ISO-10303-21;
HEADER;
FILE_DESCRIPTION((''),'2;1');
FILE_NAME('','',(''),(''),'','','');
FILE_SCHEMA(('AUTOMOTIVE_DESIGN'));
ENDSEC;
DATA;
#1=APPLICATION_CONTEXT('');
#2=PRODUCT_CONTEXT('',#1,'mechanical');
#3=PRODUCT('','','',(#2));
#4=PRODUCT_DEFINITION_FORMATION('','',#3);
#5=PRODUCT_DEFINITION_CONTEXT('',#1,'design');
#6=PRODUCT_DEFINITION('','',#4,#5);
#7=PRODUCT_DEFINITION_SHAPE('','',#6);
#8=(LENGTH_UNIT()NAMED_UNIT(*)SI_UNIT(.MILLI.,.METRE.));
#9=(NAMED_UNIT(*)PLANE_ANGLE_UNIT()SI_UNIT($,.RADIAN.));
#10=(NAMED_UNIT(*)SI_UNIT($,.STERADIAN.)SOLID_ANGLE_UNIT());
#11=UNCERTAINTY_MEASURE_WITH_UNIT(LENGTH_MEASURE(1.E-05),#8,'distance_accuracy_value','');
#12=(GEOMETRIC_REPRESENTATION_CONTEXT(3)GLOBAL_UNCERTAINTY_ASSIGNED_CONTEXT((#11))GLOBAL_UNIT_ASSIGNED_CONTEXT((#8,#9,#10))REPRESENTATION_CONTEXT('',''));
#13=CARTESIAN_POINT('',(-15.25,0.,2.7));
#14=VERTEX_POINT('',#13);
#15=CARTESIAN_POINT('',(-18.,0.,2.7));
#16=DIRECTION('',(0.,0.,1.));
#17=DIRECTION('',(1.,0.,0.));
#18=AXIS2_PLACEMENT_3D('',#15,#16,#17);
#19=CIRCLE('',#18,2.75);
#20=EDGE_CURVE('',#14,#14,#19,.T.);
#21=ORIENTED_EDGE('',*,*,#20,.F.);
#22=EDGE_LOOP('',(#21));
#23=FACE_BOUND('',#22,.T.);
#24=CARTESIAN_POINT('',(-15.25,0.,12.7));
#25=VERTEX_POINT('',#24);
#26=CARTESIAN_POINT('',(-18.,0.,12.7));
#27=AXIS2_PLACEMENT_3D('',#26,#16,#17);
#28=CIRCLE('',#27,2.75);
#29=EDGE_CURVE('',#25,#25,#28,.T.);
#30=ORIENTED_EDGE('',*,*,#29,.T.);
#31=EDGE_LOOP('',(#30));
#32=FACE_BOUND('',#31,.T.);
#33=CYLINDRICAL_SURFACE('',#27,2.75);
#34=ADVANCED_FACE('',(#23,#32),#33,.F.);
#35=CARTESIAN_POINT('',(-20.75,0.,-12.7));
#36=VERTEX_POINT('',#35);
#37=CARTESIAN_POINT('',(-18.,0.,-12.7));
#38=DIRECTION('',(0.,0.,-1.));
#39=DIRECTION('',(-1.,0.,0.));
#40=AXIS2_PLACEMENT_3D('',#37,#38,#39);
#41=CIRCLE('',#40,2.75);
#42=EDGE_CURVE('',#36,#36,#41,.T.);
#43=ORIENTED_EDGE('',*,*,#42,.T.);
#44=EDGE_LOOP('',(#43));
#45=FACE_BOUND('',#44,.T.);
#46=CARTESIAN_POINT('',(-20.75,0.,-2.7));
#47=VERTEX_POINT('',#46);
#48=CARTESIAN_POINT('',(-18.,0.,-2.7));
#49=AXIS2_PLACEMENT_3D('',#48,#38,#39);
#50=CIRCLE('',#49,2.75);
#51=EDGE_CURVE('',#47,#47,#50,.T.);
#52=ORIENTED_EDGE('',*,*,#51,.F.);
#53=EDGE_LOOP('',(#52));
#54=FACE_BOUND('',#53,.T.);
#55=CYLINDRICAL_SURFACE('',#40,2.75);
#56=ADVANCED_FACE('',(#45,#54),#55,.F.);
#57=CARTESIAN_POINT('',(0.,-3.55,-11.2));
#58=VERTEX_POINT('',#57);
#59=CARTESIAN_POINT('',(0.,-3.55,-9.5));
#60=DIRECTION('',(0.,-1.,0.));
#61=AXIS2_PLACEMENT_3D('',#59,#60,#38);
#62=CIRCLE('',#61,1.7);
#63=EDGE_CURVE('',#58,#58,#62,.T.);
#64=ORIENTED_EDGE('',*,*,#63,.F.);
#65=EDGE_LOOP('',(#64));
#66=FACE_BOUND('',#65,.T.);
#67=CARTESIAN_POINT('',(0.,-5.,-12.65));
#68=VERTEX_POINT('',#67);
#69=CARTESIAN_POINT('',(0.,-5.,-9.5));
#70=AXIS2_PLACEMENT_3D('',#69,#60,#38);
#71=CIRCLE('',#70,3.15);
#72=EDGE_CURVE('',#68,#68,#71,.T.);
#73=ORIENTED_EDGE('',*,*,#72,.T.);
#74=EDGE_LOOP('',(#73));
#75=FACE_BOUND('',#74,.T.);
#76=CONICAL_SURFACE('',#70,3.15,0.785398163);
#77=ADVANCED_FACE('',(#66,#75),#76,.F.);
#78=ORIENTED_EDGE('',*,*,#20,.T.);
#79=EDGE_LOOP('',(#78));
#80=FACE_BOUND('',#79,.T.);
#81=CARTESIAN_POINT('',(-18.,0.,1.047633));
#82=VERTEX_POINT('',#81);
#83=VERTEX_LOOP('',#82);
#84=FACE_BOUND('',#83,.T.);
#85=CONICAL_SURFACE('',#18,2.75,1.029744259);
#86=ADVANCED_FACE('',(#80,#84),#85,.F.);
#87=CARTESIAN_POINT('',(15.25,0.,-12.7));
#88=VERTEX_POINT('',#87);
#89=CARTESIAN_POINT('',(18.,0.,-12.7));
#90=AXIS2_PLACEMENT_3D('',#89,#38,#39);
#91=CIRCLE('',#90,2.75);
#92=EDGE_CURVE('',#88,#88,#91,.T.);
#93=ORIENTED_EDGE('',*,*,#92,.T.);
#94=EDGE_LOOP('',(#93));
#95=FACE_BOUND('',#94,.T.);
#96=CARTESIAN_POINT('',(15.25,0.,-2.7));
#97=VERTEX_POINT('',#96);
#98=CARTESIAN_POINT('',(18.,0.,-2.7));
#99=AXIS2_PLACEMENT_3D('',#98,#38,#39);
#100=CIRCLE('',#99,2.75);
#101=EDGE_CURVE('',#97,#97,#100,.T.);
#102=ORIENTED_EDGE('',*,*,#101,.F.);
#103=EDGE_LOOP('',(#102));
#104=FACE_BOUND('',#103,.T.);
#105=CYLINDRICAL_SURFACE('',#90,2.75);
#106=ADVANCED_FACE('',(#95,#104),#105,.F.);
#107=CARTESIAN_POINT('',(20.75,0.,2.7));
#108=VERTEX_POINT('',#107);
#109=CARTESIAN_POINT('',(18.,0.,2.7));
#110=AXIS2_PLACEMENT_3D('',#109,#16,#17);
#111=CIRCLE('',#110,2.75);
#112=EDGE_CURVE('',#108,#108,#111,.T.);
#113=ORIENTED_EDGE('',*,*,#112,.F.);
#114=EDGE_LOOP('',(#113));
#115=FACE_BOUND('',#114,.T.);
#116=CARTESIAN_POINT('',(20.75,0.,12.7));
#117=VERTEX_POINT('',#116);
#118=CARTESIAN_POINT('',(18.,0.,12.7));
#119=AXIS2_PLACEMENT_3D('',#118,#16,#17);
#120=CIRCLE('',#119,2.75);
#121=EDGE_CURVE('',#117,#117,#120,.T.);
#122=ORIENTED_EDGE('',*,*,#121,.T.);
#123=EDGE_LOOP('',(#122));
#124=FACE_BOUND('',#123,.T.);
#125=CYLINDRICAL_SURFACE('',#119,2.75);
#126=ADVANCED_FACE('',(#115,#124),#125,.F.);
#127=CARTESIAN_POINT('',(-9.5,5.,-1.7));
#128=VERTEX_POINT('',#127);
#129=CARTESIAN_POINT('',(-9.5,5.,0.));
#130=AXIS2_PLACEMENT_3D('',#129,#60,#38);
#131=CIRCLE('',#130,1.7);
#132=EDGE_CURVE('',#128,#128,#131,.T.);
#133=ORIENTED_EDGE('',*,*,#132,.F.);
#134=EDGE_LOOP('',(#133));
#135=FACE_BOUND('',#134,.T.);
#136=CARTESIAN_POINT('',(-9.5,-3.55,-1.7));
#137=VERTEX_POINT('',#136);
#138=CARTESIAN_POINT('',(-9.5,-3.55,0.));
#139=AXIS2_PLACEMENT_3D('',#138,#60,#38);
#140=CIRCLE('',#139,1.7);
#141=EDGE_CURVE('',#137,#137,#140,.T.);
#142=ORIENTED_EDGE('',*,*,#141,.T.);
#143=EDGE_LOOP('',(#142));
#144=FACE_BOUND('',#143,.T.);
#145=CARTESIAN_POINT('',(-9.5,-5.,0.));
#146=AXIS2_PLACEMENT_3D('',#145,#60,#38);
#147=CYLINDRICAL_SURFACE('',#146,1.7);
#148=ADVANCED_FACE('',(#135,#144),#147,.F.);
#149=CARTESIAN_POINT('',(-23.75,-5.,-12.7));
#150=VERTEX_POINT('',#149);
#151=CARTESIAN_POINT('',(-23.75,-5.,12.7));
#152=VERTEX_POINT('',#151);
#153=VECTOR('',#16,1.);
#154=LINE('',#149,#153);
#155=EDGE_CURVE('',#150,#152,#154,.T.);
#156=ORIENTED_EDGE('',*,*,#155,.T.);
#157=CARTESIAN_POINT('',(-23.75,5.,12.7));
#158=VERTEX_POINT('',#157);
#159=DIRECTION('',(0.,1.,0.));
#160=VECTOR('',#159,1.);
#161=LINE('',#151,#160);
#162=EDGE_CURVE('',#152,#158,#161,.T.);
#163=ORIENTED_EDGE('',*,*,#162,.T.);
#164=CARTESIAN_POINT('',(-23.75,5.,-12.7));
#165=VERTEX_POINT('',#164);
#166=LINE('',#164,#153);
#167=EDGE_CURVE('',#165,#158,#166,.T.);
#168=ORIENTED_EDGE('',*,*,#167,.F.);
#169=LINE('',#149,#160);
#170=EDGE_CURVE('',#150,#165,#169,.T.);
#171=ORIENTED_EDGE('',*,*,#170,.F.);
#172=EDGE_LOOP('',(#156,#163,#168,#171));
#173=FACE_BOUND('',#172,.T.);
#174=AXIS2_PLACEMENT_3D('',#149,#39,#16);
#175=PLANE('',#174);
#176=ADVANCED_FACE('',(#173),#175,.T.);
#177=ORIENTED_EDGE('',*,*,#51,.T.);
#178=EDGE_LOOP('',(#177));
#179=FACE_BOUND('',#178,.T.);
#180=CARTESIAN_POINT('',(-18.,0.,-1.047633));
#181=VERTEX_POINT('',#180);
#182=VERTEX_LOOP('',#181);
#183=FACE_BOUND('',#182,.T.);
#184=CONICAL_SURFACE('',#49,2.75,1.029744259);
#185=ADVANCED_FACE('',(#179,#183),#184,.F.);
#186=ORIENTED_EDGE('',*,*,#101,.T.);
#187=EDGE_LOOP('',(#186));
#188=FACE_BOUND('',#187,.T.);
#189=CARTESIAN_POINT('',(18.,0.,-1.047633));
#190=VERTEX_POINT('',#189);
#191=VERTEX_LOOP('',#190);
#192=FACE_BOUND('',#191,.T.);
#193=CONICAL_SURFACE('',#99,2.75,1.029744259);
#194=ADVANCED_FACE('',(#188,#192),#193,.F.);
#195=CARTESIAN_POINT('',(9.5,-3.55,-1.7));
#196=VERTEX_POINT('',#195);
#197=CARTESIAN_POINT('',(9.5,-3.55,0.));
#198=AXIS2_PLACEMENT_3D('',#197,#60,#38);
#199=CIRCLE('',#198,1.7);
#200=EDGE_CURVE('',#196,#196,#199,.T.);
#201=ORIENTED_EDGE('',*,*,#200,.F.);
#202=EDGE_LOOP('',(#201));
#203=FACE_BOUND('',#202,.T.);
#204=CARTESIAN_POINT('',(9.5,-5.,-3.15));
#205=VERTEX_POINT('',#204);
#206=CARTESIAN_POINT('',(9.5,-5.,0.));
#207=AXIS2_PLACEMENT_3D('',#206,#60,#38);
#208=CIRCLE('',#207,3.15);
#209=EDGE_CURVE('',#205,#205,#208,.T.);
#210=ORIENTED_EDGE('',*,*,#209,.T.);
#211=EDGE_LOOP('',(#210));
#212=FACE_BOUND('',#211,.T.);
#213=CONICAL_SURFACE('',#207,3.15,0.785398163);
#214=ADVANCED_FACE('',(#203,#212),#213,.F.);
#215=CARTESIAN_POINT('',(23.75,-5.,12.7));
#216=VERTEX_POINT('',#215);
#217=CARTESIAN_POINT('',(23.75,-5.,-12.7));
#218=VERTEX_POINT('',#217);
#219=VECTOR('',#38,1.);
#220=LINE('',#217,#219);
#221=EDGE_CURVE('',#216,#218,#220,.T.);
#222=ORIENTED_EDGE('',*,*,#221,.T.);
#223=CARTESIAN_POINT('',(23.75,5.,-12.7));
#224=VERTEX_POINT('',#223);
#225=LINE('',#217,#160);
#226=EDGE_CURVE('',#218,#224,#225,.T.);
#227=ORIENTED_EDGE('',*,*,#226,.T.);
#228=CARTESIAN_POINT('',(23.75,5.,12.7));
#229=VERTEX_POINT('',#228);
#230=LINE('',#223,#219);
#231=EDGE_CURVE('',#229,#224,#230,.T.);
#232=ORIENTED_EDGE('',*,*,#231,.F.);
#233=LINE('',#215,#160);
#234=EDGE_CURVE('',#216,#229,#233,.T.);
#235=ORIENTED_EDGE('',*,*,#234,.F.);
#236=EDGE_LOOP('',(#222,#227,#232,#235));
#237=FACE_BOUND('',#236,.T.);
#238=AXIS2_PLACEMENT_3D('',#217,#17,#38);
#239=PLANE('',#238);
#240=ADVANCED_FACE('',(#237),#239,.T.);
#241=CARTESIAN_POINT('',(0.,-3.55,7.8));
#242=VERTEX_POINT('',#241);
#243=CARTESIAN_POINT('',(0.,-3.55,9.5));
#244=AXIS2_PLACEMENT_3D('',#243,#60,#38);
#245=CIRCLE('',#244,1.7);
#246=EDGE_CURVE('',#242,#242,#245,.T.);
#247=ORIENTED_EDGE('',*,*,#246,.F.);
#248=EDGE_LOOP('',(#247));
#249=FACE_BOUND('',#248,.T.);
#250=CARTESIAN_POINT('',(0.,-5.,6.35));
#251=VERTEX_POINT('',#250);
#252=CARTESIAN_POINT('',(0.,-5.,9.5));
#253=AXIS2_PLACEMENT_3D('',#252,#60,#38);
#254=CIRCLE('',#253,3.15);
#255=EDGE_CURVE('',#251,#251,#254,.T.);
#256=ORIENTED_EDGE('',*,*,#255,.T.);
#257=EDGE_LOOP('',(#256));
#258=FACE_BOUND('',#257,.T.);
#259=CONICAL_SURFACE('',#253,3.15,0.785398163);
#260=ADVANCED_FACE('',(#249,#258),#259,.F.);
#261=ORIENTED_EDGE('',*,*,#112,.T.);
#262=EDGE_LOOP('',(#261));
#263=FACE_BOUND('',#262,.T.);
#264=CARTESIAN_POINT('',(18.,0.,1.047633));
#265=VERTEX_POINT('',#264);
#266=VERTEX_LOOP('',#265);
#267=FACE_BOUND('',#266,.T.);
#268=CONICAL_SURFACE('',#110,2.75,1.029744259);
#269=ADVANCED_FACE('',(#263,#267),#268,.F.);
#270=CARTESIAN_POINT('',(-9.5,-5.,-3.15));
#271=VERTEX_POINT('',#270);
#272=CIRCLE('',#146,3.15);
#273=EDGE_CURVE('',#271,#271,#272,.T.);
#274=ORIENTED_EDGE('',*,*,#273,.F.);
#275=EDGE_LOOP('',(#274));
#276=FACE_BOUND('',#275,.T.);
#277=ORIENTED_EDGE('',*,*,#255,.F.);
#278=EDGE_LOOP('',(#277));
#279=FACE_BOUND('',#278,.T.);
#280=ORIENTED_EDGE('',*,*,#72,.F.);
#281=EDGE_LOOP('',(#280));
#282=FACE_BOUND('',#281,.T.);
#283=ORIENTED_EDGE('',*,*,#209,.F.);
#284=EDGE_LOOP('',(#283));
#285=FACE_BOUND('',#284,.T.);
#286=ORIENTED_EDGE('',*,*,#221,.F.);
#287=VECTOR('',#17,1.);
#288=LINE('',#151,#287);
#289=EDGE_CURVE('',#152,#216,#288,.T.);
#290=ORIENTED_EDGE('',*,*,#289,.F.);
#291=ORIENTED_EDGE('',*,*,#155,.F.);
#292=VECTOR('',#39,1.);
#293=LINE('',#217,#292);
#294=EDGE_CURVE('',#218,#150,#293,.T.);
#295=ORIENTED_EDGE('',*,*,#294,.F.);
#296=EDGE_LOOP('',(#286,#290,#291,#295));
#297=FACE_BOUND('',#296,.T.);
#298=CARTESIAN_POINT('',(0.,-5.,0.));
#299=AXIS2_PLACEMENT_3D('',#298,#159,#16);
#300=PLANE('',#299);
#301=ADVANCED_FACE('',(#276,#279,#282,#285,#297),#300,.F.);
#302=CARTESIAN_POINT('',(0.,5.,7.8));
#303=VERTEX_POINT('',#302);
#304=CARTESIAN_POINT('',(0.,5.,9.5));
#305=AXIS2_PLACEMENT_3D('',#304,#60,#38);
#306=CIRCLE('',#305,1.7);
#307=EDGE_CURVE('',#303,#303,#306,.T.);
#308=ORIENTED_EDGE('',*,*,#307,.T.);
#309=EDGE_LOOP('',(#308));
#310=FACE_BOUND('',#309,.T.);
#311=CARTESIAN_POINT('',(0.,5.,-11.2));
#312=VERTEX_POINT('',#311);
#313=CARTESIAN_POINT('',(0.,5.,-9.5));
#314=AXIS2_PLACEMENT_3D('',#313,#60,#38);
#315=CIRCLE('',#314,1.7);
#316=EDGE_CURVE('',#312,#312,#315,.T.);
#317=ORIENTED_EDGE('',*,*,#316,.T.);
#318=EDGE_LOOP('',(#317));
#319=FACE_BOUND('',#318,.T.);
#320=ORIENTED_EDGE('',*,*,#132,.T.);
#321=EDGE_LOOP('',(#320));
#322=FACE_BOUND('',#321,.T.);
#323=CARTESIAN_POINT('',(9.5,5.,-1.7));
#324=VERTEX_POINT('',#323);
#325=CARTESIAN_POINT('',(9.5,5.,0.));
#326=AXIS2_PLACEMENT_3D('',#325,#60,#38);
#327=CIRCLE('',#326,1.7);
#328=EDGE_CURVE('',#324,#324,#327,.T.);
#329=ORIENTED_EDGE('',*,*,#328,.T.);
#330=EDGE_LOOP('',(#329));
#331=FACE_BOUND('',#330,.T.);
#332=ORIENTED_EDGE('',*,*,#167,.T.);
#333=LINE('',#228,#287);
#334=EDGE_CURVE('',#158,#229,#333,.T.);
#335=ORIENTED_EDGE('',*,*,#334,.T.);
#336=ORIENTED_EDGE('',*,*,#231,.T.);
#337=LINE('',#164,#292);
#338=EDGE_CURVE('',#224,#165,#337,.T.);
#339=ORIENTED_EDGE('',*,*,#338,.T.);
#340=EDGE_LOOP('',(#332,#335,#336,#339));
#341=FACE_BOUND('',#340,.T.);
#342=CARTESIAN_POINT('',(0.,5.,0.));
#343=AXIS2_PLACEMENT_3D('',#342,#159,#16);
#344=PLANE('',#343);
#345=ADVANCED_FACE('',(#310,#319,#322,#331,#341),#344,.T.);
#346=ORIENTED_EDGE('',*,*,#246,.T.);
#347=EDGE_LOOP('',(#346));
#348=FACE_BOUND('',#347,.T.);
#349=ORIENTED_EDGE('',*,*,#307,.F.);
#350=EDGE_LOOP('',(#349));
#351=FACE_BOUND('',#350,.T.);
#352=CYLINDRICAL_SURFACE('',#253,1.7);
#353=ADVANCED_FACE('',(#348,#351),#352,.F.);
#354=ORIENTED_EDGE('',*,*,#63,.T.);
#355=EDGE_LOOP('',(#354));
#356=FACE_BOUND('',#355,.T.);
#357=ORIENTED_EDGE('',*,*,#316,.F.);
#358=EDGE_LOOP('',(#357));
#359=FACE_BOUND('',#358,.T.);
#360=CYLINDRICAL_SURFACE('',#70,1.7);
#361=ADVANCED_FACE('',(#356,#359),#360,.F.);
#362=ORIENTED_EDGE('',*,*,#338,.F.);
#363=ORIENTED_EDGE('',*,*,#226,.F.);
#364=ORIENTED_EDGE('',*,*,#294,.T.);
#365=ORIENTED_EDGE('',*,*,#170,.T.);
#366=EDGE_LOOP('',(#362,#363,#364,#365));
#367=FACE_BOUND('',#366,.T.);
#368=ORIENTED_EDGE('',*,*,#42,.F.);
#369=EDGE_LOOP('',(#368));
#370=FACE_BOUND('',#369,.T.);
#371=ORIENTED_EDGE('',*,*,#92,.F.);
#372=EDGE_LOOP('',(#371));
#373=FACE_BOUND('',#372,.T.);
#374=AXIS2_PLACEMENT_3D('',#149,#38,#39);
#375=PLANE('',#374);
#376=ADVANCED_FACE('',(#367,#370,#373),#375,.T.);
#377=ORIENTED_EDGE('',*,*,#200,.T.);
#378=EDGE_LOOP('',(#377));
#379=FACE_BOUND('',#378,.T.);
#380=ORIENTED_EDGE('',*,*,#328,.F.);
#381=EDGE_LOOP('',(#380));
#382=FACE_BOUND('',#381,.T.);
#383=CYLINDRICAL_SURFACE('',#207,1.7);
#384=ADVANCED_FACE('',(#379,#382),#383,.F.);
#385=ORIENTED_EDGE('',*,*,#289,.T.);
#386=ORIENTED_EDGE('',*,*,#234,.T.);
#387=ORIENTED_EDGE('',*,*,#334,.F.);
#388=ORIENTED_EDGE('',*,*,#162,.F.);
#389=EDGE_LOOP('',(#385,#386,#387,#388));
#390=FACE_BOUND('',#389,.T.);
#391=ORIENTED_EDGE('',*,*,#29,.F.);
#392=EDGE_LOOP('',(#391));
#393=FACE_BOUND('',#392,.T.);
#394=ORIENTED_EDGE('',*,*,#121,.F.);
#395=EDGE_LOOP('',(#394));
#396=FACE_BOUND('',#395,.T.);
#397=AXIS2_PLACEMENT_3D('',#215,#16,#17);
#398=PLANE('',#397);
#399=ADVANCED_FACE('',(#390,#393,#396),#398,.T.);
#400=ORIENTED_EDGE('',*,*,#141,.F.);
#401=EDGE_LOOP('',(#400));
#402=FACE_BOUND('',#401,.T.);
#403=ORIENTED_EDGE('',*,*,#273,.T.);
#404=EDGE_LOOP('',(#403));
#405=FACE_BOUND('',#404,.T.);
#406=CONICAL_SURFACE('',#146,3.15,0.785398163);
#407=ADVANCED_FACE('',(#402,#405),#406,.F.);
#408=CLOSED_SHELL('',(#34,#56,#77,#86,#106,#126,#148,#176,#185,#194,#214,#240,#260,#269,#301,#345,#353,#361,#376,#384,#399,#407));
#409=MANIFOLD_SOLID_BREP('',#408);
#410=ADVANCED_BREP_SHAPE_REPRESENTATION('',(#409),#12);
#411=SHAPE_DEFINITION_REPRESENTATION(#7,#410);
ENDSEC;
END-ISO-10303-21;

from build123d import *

# Parameters (mm, degrees)
BOSS_EXTRUDE1_DEPTH                             = 5
CSK_FOR_M3_FLAT_HEAD_MACHINE_SCREW1_D           = 3.4
CSK_FOR_M3_FLAT_HEAD_MACHINE_SCREW1_CSINK_D     = 6.3
CSK_FOR_M3_FLAT_HEAD_MACHINE_SCREW1_CSINK_ANGLE = 90
F_5_5_5_5_DIAMETER_HOLE1_AT_2_COUNT             = 2
F_5_5_5_5_DIAMETER_HOLE1_AT_2_PITCH             = 36


with BuildPart() as part:
    # Sketch1 → Boss-Extrude1 (new body, symmetric)
    with BuildSketch(Plane(origin=(0, 0, 0), x_dir=(1, 0, 0), z_dir=(0, 1, 0))):
        Polygon((-23.75, 12.7), (-15.25, 12.7), (15.25, 12.7), (23.75, 12.7), (23.75, -12.7), (15.25, -12.7), (-15.25, -12.7), (-23.75, -12.7), align=None)
    extrude(amount=BOSS_EXTRUDE1_DEPTH, both=True)

    # CSK for M3 Flat Head Machine Screw1 (through all)
    with Locations(Plane(origin=(0, -5, 0), x_dir=(-1, 0, 0), z_dir=(0, -1, 0))):
        with Locations((-9.5, 0), (0, 9.5), (9.5, 0), (0, -9.5)):
            CounterSinkHole(CSK_FOR_M3_FLAT_HEAD_MACHINE_SCREW1_D / 2, CSK_FOR_M3_FLAT_HEAD_MACHINE_SCREW1_CSINK_D / 2, counter_sink_angle=CSK_FOR_M3_FLAT_HEAD_MACHINE_SCREW1_CSINK_ANGLE)

    # Sketch10 → Ø5.5 (5.5) Diameter Hole1 (revolve, cut)
    with BuildSketch(Plane(origin=(-18, 0, 12.7), x_dir=(0, -1, 0), z_dir=(1, 0, 0))):
        Polygon((0, 0), (0, 11.652366702), (2.75, 10), (2.75, 0), align=None)
    f_5_5_5_5_diameter_hole1 = revolve(axis=Axis((-18, 0, 19.05), (0, 0, -1)), mode=Mode.SUBTRACT)

    # Ø5.5 (5.5) Diameter Hole1 at 2: Ø5.5 (5.5) Diameter Hole1 ×2
    with Locations(*[(i * F_5_5_5_5_DIAMETER_HOLE1_AT_2_PITCH, 0, 0) for i in range(1, F_5_5_5_5_DIAMETER_HOLE1_AT_2_COUNT)]):
        add(f_5_5_5_5_diameter_hole1, mode=Mode.SUBTRACT)

    # Mirror1: Ø5.5 (5.5) Diameter Hole1 across plane
    add(f_5_5_5_5_diameter_hole1.mirror(Plane.XY), mode=Mode.SUBTRACT)

    # Mirror1 copy 1 sketch → Mirror1 copy 1 (revolve, cut)
    with BuildSketch(Plane(origin=(18, 0, -12.7), x_dir=(0, -1, 0), z_dir=(1, 0, 0))):
        Polygon((0, 0), (0, -11.652366702), (2.75, -10), (2.75, 0), align=None)
    revolve(axis=Axis((18, 0, -19.05), (0, 0, -1)), mode=Mode.SUBTRACT)


solid = part.part
